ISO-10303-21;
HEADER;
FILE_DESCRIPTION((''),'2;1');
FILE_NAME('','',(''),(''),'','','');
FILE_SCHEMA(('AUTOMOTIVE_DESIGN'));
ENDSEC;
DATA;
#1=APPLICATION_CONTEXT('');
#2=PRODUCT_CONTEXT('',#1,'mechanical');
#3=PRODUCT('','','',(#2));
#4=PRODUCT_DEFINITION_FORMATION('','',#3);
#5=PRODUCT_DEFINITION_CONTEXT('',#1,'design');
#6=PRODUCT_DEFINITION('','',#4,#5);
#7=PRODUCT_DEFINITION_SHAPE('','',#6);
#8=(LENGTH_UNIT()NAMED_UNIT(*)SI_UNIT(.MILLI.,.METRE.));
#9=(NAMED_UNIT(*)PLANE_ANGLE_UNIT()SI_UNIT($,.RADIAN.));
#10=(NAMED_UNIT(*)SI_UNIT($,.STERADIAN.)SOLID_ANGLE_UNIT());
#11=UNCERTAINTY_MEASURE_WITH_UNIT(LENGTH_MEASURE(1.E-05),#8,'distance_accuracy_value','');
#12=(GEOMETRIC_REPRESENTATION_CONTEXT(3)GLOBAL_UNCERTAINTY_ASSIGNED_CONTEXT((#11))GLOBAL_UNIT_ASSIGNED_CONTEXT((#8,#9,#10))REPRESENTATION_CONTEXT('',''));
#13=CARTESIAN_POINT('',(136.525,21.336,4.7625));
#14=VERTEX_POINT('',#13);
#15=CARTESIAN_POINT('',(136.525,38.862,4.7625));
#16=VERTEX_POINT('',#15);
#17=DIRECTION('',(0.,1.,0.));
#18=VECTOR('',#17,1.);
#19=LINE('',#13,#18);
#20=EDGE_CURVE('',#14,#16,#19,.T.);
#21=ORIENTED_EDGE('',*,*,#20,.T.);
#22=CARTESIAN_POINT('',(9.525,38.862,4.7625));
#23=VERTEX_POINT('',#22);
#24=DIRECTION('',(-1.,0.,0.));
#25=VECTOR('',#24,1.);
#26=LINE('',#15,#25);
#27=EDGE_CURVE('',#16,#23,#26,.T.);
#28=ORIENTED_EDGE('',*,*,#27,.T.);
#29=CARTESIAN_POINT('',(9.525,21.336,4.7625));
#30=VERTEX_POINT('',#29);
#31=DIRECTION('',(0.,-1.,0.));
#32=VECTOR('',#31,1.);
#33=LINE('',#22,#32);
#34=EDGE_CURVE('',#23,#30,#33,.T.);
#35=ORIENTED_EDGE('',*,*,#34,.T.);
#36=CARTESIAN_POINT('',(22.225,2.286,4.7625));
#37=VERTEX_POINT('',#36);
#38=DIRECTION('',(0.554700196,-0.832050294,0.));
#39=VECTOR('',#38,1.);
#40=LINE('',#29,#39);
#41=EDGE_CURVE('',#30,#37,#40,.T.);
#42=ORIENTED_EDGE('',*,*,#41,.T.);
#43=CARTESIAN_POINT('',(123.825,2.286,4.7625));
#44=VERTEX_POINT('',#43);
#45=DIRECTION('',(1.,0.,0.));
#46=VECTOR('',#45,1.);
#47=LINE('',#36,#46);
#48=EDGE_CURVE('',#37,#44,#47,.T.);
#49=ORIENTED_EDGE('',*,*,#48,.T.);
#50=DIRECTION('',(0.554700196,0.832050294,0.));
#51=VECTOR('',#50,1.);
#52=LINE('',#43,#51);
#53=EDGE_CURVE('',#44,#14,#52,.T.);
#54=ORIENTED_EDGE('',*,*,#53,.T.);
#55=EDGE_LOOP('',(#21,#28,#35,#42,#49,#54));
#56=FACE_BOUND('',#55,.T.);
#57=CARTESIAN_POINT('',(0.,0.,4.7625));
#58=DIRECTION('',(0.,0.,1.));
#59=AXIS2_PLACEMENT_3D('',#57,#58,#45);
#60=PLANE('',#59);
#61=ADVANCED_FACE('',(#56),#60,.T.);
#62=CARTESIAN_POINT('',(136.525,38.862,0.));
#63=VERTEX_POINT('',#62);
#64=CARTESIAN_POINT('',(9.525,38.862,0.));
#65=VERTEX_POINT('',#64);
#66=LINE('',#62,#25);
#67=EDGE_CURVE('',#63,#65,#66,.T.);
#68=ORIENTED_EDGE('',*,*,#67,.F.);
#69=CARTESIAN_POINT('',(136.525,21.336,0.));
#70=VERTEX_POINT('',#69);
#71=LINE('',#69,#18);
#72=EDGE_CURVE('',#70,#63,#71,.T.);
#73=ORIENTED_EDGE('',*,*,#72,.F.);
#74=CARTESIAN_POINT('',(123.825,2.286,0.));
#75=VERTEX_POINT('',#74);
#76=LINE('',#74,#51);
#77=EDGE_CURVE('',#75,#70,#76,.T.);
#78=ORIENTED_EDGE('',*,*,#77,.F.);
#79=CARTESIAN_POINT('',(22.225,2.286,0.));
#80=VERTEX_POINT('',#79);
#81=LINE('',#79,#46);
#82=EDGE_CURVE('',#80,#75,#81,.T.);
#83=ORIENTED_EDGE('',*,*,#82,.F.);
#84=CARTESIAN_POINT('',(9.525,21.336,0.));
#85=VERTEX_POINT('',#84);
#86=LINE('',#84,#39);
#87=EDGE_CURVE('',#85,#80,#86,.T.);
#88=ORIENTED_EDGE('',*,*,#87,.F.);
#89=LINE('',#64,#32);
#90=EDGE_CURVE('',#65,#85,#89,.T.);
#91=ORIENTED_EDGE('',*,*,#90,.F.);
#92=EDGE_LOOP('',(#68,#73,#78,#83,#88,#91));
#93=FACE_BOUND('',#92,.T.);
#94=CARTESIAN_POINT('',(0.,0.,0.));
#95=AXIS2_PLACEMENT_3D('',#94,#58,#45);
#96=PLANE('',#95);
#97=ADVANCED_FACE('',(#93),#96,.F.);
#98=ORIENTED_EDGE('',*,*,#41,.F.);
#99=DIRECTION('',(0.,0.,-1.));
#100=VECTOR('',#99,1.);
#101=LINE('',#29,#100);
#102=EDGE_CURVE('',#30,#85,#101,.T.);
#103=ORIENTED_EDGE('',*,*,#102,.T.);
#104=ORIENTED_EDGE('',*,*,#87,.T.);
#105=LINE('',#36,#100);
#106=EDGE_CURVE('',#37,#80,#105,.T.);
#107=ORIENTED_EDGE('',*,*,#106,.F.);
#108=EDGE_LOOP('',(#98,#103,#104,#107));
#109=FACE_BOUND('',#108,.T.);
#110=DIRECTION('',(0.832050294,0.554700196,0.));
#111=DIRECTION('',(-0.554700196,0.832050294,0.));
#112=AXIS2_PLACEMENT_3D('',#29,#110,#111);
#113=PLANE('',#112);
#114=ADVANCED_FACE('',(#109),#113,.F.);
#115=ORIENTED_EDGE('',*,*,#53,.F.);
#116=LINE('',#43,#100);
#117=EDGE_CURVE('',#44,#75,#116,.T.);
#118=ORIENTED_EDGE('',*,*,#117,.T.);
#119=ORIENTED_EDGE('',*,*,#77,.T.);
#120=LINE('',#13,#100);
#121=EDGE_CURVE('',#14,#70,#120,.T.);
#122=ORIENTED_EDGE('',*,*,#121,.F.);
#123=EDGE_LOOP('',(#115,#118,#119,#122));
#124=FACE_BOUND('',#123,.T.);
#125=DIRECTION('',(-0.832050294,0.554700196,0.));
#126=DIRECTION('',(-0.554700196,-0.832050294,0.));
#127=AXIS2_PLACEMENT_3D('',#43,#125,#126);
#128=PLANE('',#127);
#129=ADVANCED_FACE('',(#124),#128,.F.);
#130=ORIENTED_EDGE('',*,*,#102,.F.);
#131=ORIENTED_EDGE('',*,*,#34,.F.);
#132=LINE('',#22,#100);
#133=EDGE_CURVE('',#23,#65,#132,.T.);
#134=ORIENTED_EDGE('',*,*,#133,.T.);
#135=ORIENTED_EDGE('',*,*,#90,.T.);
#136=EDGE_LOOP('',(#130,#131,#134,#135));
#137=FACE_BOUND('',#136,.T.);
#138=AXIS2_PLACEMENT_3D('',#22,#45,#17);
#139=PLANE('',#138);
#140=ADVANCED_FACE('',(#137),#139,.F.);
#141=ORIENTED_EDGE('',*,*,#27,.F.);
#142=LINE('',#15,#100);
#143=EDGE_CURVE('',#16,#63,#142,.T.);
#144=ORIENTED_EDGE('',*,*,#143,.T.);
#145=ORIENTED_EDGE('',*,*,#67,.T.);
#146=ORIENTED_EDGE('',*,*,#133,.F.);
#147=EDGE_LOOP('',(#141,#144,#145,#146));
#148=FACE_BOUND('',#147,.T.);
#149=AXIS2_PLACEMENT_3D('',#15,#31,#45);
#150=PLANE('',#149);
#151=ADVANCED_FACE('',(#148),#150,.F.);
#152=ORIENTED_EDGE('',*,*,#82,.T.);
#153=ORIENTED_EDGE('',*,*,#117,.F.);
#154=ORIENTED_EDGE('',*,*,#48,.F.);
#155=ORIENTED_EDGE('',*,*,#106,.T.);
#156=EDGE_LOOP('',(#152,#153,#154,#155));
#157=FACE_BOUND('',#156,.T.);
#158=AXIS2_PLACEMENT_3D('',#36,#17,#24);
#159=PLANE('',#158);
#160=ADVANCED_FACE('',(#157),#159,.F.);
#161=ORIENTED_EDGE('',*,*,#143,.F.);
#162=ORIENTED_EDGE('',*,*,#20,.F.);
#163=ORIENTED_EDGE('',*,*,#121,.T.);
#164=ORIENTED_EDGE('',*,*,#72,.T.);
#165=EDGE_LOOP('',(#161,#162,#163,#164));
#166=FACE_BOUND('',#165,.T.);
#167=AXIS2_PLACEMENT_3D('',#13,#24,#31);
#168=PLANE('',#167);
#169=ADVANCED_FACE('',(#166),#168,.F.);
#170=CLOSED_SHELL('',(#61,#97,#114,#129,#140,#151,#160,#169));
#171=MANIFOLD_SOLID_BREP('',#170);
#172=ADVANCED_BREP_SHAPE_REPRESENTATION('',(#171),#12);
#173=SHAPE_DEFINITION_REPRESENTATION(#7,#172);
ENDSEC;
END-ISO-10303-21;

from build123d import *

# Parameters (mm, degrees)
BOSS_EXTRUDE1_DEPTH = 4.7625


with BuildPart() as part:
    # Sketch1 → Boss-Extrude1 (new body)
    with BuildSketch(Plane.XY):
        Polygon((123.825, 2.286), (136.525, 21.336), (136.525, 38.862), (9.525, 38.862), (9.525, 21.336), (22.225, 2.286), align=None)
    extrude(amount=BOSS_EXTRUDE1_DEPTH)


solid = part.part
